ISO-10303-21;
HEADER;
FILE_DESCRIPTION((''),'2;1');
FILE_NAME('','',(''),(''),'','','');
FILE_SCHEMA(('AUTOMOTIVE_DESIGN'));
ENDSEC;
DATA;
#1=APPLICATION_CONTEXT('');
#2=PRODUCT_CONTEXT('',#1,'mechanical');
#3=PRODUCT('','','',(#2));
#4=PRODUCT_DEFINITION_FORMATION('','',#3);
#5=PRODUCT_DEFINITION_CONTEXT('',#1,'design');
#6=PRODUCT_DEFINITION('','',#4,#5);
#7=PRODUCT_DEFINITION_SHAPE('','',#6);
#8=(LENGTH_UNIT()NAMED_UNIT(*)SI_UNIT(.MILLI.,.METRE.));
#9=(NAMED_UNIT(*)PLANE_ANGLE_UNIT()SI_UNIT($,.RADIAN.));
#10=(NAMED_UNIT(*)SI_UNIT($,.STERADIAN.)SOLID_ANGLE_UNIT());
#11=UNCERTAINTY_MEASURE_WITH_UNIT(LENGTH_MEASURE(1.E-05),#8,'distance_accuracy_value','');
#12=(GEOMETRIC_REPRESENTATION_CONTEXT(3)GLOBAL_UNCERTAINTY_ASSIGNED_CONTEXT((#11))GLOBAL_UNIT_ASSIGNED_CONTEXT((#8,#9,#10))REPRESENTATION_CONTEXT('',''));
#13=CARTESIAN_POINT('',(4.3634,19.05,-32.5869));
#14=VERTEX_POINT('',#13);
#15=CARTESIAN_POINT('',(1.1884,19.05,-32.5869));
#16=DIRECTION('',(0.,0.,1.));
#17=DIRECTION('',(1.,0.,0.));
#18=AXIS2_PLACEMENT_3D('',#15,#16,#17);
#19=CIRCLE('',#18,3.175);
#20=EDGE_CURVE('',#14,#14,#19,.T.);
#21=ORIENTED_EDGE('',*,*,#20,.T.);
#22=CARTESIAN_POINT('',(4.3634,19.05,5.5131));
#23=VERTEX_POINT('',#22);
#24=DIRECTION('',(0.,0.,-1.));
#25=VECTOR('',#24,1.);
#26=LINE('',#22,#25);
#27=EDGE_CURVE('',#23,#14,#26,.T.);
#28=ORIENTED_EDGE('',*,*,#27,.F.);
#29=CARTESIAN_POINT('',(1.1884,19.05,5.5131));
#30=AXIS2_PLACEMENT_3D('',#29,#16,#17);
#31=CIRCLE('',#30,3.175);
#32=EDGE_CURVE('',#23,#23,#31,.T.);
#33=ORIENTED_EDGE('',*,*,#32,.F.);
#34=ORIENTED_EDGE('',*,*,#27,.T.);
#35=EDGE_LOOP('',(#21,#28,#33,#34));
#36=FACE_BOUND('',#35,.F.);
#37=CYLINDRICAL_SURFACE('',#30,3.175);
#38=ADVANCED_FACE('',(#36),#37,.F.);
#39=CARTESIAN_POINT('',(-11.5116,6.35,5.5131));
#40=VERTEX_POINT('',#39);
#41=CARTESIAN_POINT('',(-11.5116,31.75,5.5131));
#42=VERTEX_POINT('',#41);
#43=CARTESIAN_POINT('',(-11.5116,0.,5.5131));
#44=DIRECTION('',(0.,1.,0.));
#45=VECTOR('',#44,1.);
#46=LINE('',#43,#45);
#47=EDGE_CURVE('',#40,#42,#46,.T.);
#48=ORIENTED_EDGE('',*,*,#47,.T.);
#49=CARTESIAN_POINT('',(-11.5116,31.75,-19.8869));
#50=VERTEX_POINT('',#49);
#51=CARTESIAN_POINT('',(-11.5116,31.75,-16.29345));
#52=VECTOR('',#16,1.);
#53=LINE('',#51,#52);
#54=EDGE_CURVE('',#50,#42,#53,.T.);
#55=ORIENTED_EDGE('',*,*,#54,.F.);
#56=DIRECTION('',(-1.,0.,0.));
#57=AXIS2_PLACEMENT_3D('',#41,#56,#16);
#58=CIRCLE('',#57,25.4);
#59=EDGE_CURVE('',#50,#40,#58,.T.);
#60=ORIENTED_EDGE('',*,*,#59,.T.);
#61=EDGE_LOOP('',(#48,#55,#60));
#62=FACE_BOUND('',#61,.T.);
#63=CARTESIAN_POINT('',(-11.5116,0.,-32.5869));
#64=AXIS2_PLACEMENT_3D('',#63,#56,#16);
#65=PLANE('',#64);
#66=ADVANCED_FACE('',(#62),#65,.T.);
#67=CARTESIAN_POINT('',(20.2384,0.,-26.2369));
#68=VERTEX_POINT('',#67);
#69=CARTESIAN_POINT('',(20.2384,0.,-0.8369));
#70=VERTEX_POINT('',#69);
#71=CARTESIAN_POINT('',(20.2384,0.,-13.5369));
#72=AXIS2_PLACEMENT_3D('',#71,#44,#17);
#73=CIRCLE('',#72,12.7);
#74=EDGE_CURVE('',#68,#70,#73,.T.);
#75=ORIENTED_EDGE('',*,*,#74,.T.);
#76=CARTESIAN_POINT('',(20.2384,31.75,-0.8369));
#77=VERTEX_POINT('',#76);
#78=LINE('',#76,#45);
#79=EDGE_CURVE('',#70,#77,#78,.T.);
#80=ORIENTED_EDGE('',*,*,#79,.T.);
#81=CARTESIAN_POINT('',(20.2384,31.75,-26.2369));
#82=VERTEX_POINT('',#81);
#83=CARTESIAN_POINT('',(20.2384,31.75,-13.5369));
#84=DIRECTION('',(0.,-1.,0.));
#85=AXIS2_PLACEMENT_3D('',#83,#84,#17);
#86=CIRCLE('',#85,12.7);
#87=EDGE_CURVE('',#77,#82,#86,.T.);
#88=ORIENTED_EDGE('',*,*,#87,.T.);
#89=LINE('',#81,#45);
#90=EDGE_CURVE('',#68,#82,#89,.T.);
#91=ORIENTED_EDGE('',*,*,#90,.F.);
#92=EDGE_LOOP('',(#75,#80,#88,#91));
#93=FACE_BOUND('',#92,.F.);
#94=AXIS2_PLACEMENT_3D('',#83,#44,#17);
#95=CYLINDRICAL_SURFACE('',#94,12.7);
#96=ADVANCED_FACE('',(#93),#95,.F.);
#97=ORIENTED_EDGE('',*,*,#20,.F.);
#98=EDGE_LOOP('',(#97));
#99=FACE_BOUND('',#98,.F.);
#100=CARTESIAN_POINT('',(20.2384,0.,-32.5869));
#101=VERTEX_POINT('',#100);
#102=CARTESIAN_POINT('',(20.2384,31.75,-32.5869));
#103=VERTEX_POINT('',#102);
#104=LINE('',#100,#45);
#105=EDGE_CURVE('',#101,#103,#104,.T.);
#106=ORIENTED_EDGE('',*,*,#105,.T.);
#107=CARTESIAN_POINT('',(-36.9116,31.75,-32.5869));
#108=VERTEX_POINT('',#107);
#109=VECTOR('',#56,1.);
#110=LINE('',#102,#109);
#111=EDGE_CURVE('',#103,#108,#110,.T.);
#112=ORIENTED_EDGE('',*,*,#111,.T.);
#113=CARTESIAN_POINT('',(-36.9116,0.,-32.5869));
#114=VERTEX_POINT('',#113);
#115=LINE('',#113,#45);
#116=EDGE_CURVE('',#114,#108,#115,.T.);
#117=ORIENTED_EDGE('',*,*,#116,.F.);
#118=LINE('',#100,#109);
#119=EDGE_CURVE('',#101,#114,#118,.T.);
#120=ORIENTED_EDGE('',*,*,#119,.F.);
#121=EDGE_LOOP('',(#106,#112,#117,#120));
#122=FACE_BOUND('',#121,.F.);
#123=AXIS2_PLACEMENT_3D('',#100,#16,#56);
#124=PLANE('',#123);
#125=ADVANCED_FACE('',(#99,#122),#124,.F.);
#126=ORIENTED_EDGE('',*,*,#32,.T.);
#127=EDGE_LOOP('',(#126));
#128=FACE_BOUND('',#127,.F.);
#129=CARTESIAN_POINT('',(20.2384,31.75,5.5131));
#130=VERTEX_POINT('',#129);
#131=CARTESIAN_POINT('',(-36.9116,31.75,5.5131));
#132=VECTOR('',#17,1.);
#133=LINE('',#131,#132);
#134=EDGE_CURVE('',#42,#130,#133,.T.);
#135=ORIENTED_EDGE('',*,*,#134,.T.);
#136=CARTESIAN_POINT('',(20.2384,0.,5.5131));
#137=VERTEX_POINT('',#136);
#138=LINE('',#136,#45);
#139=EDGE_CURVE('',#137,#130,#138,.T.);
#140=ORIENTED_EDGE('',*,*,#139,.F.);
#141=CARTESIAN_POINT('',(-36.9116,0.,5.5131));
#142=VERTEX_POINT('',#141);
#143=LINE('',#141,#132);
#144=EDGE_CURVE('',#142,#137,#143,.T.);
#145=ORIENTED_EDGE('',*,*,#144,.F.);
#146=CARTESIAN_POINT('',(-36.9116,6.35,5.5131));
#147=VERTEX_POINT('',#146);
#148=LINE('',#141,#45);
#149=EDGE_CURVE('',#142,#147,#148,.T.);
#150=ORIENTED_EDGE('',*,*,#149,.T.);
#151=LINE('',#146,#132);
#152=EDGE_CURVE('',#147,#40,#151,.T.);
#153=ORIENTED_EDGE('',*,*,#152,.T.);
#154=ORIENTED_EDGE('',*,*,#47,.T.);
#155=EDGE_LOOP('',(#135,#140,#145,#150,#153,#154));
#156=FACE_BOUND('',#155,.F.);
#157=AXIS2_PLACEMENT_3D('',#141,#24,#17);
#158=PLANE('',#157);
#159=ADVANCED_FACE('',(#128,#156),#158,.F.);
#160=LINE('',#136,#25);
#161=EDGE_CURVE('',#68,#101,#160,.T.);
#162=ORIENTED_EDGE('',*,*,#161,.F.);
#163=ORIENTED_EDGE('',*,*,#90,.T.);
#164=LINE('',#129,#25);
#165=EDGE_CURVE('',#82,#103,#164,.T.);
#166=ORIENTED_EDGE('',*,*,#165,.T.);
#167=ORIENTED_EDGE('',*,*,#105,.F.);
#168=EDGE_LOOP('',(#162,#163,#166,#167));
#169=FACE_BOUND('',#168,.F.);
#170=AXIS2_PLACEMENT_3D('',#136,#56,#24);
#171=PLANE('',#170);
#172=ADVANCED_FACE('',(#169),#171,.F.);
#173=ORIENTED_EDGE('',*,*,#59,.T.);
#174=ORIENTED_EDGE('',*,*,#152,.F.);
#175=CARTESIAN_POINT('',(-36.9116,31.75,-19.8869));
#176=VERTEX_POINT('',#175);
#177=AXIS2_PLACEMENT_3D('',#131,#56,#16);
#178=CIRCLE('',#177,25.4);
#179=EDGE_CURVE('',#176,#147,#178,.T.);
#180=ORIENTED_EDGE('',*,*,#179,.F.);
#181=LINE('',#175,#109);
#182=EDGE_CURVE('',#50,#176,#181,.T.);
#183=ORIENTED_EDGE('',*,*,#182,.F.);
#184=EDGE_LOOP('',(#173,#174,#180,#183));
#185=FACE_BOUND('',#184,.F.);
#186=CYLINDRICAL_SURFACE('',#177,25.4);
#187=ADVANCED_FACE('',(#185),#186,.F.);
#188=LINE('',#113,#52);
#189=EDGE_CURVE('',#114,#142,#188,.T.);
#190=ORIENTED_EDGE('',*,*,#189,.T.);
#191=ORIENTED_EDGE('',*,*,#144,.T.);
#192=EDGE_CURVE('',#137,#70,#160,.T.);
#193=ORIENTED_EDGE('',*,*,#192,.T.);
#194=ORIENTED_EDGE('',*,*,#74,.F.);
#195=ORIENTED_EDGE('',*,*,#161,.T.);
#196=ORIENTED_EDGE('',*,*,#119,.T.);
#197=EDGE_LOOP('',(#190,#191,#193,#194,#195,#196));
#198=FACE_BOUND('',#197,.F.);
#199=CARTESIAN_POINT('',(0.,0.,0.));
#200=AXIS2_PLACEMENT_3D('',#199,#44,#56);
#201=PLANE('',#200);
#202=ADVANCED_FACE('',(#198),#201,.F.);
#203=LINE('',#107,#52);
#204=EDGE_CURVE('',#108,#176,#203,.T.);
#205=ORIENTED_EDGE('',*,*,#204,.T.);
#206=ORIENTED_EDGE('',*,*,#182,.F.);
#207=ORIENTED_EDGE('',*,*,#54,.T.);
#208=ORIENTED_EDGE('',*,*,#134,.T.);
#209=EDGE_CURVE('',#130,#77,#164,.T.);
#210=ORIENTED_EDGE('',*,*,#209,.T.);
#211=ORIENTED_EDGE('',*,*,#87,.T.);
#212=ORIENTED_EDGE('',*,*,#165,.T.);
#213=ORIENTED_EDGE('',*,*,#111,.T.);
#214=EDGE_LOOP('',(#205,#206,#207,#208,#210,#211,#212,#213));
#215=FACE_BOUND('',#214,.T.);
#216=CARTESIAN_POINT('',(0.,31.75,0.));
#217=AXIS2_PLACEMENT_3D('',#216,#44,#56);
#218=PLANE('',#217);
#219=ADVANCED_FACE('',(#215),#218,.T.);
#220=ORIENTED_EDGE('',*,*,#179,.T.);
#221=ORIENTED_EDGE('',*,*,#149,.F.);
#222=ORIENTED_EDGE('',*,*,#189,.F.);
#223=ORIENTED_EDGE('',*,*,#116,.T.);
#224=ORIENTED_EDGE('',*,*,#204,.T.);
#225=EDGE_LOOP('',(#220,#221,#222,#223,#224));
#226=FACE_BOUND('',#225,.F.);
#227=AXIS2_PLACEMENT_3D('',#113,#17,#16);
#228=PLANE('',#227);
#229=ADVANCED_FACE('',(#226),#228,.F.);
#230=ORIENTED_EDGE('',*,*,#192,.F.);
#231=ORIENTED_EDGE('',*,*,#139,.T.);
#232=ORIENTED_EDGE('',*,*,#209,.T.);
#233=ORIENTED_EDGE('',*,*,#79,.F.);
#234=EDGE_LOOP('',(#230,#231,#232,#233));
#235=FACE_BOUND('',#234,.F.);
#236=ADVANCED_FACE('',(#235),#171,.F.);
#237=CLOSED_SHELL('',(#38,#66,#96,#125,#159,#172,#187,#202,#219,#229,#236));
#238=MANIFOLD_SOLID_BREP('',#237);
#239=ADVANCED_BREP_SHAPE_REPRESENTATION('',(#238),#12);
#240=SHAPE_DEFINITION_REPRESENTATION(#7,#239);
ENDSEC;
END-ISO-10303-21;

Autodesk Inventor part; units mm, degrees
ref_plane "YZ Plane" through (0, 0, 0) normal (1, 0, 0) x (0, 1, 0)
ref_plane "XZ Plane" through (0, 0, 0) normal (0, 1, 0) x (-1, 0, 0)
ref_plane "XY Plane" through (0, 0, 0) normal (0, 0, 1) x (1, 0, 0)
sketch "Sketch1" plane through (0, 0, 0) normal (0, 1, 0) x (-1, 0, 0)
  line L0 (36.9116, 5.5131) -> (-20.2384, 5.5131)
  line L1 (-20.2384, 5.5131) -> (-20.2384, -32.5869)
  line L2 (-20.2384, -32.5869) -> (36.9116, -32.5869)
  line L3 (36.9116, -32.5869) -> (36.9116, 5.5131)
  point P0 (0, 0)
  dimension "d0" = 57.15
  dimension "d1" = 38.1
extrude "Extrusion1" add sketch "Sketch1" along normal blind 31.75
sketch "Sketch2" plane through (0, 31.75, 0) normal (0, 1, 0) x (1, 0, 0)
  line L0 (-36.9116, -5.5131) -> (20.2384, -5.5131) projected
  line L1 (20.2384, -5.5131) -> (1.1884, -5.5131)
  line L2 (1.1884, -5.5131) -> (1.1884, 13.5369)
  line L3 (1.1884, 13.5369) -> (20.2384, 13.5369)
  line L4 (20.2384, 13.5369) -> (20.2384, -5.5131)
  line L5 (20.2384, -5.5131) -> (20.2384, 32.5869) projected
  line L6 (20.2384, 32.5869) -> (1.1884, 32.5869)
  line L7 (1.1884, 32.5869) -> (1.1884, 13.5369)
  line L8 (1.1884, 13.5369) -> (20.2384, 13.5369)
  line L9 (20.2384, 13.5369) -> (20.2384, 32.5869)
  point P0 (0, 0)
  dimension "d4" = 19.05
  dimension "d5" = 19.05
  dimension "d6" = 19.05
  dimension "d7" = 19.05
sketch "Sketch3" plane through (0, 31.75, 0) normal (0, 1, 0) x (1, 0, 0)
  line L0 (20.2384, -5.5131) -> (20.2384, 32.5869) projected
  circle A0 centre (20.2384, 13.5369) radius 12.7
  point P0 (0, 0)
  dimension "d8" = 25.4
extrude "Extrusion2" cut sketch "Sketch3" against normal blind 31.75
sketch "Sketch5" plane through (-36.9116, 0, -32.5869) normal (-1, 0, 0) x (0, 0, 1)
  line L0 (0, 0) -> (38.1, 0) projected
  line L1 (38.1, 0) -> (31.75, 0)
  line L2 (31.75, 0) -> (31.75, 6.35)
  line L3 (31.75, 6.35) -> (38.1, 6.35)
  line L4 (38.1, 6.35) -> (38.1, 0)
  line L5 (38.1, 0) -> (38.1, 31.75) projected
  circle A0 centre (38.1, 31.75) radius 25.4
  point P0 (32.5869, 0)
  dimension "d13" = 6.35
  dimension "d14" = 6.35
  dimension "d15" = 50.8
extrude "Extrusion3" cut sketch "Sketch5" against normal blind 25.4 contours A0
sketch "Sketch6" plane through (-36.9116, 0, 5.5131) normal (0, 0, 1) x (1, 0, 0)
  line L0 (25.4, 31.75) -> (57.15, 31.75) projected
  circle A0 centre (38.1, 19.05) radius 3.175
  point P0 (36.9116, 0)
  dimension "d20" = 6.35
extrude "Extrusion4" cut sketch "Sketch6" against normal blind 50.8
